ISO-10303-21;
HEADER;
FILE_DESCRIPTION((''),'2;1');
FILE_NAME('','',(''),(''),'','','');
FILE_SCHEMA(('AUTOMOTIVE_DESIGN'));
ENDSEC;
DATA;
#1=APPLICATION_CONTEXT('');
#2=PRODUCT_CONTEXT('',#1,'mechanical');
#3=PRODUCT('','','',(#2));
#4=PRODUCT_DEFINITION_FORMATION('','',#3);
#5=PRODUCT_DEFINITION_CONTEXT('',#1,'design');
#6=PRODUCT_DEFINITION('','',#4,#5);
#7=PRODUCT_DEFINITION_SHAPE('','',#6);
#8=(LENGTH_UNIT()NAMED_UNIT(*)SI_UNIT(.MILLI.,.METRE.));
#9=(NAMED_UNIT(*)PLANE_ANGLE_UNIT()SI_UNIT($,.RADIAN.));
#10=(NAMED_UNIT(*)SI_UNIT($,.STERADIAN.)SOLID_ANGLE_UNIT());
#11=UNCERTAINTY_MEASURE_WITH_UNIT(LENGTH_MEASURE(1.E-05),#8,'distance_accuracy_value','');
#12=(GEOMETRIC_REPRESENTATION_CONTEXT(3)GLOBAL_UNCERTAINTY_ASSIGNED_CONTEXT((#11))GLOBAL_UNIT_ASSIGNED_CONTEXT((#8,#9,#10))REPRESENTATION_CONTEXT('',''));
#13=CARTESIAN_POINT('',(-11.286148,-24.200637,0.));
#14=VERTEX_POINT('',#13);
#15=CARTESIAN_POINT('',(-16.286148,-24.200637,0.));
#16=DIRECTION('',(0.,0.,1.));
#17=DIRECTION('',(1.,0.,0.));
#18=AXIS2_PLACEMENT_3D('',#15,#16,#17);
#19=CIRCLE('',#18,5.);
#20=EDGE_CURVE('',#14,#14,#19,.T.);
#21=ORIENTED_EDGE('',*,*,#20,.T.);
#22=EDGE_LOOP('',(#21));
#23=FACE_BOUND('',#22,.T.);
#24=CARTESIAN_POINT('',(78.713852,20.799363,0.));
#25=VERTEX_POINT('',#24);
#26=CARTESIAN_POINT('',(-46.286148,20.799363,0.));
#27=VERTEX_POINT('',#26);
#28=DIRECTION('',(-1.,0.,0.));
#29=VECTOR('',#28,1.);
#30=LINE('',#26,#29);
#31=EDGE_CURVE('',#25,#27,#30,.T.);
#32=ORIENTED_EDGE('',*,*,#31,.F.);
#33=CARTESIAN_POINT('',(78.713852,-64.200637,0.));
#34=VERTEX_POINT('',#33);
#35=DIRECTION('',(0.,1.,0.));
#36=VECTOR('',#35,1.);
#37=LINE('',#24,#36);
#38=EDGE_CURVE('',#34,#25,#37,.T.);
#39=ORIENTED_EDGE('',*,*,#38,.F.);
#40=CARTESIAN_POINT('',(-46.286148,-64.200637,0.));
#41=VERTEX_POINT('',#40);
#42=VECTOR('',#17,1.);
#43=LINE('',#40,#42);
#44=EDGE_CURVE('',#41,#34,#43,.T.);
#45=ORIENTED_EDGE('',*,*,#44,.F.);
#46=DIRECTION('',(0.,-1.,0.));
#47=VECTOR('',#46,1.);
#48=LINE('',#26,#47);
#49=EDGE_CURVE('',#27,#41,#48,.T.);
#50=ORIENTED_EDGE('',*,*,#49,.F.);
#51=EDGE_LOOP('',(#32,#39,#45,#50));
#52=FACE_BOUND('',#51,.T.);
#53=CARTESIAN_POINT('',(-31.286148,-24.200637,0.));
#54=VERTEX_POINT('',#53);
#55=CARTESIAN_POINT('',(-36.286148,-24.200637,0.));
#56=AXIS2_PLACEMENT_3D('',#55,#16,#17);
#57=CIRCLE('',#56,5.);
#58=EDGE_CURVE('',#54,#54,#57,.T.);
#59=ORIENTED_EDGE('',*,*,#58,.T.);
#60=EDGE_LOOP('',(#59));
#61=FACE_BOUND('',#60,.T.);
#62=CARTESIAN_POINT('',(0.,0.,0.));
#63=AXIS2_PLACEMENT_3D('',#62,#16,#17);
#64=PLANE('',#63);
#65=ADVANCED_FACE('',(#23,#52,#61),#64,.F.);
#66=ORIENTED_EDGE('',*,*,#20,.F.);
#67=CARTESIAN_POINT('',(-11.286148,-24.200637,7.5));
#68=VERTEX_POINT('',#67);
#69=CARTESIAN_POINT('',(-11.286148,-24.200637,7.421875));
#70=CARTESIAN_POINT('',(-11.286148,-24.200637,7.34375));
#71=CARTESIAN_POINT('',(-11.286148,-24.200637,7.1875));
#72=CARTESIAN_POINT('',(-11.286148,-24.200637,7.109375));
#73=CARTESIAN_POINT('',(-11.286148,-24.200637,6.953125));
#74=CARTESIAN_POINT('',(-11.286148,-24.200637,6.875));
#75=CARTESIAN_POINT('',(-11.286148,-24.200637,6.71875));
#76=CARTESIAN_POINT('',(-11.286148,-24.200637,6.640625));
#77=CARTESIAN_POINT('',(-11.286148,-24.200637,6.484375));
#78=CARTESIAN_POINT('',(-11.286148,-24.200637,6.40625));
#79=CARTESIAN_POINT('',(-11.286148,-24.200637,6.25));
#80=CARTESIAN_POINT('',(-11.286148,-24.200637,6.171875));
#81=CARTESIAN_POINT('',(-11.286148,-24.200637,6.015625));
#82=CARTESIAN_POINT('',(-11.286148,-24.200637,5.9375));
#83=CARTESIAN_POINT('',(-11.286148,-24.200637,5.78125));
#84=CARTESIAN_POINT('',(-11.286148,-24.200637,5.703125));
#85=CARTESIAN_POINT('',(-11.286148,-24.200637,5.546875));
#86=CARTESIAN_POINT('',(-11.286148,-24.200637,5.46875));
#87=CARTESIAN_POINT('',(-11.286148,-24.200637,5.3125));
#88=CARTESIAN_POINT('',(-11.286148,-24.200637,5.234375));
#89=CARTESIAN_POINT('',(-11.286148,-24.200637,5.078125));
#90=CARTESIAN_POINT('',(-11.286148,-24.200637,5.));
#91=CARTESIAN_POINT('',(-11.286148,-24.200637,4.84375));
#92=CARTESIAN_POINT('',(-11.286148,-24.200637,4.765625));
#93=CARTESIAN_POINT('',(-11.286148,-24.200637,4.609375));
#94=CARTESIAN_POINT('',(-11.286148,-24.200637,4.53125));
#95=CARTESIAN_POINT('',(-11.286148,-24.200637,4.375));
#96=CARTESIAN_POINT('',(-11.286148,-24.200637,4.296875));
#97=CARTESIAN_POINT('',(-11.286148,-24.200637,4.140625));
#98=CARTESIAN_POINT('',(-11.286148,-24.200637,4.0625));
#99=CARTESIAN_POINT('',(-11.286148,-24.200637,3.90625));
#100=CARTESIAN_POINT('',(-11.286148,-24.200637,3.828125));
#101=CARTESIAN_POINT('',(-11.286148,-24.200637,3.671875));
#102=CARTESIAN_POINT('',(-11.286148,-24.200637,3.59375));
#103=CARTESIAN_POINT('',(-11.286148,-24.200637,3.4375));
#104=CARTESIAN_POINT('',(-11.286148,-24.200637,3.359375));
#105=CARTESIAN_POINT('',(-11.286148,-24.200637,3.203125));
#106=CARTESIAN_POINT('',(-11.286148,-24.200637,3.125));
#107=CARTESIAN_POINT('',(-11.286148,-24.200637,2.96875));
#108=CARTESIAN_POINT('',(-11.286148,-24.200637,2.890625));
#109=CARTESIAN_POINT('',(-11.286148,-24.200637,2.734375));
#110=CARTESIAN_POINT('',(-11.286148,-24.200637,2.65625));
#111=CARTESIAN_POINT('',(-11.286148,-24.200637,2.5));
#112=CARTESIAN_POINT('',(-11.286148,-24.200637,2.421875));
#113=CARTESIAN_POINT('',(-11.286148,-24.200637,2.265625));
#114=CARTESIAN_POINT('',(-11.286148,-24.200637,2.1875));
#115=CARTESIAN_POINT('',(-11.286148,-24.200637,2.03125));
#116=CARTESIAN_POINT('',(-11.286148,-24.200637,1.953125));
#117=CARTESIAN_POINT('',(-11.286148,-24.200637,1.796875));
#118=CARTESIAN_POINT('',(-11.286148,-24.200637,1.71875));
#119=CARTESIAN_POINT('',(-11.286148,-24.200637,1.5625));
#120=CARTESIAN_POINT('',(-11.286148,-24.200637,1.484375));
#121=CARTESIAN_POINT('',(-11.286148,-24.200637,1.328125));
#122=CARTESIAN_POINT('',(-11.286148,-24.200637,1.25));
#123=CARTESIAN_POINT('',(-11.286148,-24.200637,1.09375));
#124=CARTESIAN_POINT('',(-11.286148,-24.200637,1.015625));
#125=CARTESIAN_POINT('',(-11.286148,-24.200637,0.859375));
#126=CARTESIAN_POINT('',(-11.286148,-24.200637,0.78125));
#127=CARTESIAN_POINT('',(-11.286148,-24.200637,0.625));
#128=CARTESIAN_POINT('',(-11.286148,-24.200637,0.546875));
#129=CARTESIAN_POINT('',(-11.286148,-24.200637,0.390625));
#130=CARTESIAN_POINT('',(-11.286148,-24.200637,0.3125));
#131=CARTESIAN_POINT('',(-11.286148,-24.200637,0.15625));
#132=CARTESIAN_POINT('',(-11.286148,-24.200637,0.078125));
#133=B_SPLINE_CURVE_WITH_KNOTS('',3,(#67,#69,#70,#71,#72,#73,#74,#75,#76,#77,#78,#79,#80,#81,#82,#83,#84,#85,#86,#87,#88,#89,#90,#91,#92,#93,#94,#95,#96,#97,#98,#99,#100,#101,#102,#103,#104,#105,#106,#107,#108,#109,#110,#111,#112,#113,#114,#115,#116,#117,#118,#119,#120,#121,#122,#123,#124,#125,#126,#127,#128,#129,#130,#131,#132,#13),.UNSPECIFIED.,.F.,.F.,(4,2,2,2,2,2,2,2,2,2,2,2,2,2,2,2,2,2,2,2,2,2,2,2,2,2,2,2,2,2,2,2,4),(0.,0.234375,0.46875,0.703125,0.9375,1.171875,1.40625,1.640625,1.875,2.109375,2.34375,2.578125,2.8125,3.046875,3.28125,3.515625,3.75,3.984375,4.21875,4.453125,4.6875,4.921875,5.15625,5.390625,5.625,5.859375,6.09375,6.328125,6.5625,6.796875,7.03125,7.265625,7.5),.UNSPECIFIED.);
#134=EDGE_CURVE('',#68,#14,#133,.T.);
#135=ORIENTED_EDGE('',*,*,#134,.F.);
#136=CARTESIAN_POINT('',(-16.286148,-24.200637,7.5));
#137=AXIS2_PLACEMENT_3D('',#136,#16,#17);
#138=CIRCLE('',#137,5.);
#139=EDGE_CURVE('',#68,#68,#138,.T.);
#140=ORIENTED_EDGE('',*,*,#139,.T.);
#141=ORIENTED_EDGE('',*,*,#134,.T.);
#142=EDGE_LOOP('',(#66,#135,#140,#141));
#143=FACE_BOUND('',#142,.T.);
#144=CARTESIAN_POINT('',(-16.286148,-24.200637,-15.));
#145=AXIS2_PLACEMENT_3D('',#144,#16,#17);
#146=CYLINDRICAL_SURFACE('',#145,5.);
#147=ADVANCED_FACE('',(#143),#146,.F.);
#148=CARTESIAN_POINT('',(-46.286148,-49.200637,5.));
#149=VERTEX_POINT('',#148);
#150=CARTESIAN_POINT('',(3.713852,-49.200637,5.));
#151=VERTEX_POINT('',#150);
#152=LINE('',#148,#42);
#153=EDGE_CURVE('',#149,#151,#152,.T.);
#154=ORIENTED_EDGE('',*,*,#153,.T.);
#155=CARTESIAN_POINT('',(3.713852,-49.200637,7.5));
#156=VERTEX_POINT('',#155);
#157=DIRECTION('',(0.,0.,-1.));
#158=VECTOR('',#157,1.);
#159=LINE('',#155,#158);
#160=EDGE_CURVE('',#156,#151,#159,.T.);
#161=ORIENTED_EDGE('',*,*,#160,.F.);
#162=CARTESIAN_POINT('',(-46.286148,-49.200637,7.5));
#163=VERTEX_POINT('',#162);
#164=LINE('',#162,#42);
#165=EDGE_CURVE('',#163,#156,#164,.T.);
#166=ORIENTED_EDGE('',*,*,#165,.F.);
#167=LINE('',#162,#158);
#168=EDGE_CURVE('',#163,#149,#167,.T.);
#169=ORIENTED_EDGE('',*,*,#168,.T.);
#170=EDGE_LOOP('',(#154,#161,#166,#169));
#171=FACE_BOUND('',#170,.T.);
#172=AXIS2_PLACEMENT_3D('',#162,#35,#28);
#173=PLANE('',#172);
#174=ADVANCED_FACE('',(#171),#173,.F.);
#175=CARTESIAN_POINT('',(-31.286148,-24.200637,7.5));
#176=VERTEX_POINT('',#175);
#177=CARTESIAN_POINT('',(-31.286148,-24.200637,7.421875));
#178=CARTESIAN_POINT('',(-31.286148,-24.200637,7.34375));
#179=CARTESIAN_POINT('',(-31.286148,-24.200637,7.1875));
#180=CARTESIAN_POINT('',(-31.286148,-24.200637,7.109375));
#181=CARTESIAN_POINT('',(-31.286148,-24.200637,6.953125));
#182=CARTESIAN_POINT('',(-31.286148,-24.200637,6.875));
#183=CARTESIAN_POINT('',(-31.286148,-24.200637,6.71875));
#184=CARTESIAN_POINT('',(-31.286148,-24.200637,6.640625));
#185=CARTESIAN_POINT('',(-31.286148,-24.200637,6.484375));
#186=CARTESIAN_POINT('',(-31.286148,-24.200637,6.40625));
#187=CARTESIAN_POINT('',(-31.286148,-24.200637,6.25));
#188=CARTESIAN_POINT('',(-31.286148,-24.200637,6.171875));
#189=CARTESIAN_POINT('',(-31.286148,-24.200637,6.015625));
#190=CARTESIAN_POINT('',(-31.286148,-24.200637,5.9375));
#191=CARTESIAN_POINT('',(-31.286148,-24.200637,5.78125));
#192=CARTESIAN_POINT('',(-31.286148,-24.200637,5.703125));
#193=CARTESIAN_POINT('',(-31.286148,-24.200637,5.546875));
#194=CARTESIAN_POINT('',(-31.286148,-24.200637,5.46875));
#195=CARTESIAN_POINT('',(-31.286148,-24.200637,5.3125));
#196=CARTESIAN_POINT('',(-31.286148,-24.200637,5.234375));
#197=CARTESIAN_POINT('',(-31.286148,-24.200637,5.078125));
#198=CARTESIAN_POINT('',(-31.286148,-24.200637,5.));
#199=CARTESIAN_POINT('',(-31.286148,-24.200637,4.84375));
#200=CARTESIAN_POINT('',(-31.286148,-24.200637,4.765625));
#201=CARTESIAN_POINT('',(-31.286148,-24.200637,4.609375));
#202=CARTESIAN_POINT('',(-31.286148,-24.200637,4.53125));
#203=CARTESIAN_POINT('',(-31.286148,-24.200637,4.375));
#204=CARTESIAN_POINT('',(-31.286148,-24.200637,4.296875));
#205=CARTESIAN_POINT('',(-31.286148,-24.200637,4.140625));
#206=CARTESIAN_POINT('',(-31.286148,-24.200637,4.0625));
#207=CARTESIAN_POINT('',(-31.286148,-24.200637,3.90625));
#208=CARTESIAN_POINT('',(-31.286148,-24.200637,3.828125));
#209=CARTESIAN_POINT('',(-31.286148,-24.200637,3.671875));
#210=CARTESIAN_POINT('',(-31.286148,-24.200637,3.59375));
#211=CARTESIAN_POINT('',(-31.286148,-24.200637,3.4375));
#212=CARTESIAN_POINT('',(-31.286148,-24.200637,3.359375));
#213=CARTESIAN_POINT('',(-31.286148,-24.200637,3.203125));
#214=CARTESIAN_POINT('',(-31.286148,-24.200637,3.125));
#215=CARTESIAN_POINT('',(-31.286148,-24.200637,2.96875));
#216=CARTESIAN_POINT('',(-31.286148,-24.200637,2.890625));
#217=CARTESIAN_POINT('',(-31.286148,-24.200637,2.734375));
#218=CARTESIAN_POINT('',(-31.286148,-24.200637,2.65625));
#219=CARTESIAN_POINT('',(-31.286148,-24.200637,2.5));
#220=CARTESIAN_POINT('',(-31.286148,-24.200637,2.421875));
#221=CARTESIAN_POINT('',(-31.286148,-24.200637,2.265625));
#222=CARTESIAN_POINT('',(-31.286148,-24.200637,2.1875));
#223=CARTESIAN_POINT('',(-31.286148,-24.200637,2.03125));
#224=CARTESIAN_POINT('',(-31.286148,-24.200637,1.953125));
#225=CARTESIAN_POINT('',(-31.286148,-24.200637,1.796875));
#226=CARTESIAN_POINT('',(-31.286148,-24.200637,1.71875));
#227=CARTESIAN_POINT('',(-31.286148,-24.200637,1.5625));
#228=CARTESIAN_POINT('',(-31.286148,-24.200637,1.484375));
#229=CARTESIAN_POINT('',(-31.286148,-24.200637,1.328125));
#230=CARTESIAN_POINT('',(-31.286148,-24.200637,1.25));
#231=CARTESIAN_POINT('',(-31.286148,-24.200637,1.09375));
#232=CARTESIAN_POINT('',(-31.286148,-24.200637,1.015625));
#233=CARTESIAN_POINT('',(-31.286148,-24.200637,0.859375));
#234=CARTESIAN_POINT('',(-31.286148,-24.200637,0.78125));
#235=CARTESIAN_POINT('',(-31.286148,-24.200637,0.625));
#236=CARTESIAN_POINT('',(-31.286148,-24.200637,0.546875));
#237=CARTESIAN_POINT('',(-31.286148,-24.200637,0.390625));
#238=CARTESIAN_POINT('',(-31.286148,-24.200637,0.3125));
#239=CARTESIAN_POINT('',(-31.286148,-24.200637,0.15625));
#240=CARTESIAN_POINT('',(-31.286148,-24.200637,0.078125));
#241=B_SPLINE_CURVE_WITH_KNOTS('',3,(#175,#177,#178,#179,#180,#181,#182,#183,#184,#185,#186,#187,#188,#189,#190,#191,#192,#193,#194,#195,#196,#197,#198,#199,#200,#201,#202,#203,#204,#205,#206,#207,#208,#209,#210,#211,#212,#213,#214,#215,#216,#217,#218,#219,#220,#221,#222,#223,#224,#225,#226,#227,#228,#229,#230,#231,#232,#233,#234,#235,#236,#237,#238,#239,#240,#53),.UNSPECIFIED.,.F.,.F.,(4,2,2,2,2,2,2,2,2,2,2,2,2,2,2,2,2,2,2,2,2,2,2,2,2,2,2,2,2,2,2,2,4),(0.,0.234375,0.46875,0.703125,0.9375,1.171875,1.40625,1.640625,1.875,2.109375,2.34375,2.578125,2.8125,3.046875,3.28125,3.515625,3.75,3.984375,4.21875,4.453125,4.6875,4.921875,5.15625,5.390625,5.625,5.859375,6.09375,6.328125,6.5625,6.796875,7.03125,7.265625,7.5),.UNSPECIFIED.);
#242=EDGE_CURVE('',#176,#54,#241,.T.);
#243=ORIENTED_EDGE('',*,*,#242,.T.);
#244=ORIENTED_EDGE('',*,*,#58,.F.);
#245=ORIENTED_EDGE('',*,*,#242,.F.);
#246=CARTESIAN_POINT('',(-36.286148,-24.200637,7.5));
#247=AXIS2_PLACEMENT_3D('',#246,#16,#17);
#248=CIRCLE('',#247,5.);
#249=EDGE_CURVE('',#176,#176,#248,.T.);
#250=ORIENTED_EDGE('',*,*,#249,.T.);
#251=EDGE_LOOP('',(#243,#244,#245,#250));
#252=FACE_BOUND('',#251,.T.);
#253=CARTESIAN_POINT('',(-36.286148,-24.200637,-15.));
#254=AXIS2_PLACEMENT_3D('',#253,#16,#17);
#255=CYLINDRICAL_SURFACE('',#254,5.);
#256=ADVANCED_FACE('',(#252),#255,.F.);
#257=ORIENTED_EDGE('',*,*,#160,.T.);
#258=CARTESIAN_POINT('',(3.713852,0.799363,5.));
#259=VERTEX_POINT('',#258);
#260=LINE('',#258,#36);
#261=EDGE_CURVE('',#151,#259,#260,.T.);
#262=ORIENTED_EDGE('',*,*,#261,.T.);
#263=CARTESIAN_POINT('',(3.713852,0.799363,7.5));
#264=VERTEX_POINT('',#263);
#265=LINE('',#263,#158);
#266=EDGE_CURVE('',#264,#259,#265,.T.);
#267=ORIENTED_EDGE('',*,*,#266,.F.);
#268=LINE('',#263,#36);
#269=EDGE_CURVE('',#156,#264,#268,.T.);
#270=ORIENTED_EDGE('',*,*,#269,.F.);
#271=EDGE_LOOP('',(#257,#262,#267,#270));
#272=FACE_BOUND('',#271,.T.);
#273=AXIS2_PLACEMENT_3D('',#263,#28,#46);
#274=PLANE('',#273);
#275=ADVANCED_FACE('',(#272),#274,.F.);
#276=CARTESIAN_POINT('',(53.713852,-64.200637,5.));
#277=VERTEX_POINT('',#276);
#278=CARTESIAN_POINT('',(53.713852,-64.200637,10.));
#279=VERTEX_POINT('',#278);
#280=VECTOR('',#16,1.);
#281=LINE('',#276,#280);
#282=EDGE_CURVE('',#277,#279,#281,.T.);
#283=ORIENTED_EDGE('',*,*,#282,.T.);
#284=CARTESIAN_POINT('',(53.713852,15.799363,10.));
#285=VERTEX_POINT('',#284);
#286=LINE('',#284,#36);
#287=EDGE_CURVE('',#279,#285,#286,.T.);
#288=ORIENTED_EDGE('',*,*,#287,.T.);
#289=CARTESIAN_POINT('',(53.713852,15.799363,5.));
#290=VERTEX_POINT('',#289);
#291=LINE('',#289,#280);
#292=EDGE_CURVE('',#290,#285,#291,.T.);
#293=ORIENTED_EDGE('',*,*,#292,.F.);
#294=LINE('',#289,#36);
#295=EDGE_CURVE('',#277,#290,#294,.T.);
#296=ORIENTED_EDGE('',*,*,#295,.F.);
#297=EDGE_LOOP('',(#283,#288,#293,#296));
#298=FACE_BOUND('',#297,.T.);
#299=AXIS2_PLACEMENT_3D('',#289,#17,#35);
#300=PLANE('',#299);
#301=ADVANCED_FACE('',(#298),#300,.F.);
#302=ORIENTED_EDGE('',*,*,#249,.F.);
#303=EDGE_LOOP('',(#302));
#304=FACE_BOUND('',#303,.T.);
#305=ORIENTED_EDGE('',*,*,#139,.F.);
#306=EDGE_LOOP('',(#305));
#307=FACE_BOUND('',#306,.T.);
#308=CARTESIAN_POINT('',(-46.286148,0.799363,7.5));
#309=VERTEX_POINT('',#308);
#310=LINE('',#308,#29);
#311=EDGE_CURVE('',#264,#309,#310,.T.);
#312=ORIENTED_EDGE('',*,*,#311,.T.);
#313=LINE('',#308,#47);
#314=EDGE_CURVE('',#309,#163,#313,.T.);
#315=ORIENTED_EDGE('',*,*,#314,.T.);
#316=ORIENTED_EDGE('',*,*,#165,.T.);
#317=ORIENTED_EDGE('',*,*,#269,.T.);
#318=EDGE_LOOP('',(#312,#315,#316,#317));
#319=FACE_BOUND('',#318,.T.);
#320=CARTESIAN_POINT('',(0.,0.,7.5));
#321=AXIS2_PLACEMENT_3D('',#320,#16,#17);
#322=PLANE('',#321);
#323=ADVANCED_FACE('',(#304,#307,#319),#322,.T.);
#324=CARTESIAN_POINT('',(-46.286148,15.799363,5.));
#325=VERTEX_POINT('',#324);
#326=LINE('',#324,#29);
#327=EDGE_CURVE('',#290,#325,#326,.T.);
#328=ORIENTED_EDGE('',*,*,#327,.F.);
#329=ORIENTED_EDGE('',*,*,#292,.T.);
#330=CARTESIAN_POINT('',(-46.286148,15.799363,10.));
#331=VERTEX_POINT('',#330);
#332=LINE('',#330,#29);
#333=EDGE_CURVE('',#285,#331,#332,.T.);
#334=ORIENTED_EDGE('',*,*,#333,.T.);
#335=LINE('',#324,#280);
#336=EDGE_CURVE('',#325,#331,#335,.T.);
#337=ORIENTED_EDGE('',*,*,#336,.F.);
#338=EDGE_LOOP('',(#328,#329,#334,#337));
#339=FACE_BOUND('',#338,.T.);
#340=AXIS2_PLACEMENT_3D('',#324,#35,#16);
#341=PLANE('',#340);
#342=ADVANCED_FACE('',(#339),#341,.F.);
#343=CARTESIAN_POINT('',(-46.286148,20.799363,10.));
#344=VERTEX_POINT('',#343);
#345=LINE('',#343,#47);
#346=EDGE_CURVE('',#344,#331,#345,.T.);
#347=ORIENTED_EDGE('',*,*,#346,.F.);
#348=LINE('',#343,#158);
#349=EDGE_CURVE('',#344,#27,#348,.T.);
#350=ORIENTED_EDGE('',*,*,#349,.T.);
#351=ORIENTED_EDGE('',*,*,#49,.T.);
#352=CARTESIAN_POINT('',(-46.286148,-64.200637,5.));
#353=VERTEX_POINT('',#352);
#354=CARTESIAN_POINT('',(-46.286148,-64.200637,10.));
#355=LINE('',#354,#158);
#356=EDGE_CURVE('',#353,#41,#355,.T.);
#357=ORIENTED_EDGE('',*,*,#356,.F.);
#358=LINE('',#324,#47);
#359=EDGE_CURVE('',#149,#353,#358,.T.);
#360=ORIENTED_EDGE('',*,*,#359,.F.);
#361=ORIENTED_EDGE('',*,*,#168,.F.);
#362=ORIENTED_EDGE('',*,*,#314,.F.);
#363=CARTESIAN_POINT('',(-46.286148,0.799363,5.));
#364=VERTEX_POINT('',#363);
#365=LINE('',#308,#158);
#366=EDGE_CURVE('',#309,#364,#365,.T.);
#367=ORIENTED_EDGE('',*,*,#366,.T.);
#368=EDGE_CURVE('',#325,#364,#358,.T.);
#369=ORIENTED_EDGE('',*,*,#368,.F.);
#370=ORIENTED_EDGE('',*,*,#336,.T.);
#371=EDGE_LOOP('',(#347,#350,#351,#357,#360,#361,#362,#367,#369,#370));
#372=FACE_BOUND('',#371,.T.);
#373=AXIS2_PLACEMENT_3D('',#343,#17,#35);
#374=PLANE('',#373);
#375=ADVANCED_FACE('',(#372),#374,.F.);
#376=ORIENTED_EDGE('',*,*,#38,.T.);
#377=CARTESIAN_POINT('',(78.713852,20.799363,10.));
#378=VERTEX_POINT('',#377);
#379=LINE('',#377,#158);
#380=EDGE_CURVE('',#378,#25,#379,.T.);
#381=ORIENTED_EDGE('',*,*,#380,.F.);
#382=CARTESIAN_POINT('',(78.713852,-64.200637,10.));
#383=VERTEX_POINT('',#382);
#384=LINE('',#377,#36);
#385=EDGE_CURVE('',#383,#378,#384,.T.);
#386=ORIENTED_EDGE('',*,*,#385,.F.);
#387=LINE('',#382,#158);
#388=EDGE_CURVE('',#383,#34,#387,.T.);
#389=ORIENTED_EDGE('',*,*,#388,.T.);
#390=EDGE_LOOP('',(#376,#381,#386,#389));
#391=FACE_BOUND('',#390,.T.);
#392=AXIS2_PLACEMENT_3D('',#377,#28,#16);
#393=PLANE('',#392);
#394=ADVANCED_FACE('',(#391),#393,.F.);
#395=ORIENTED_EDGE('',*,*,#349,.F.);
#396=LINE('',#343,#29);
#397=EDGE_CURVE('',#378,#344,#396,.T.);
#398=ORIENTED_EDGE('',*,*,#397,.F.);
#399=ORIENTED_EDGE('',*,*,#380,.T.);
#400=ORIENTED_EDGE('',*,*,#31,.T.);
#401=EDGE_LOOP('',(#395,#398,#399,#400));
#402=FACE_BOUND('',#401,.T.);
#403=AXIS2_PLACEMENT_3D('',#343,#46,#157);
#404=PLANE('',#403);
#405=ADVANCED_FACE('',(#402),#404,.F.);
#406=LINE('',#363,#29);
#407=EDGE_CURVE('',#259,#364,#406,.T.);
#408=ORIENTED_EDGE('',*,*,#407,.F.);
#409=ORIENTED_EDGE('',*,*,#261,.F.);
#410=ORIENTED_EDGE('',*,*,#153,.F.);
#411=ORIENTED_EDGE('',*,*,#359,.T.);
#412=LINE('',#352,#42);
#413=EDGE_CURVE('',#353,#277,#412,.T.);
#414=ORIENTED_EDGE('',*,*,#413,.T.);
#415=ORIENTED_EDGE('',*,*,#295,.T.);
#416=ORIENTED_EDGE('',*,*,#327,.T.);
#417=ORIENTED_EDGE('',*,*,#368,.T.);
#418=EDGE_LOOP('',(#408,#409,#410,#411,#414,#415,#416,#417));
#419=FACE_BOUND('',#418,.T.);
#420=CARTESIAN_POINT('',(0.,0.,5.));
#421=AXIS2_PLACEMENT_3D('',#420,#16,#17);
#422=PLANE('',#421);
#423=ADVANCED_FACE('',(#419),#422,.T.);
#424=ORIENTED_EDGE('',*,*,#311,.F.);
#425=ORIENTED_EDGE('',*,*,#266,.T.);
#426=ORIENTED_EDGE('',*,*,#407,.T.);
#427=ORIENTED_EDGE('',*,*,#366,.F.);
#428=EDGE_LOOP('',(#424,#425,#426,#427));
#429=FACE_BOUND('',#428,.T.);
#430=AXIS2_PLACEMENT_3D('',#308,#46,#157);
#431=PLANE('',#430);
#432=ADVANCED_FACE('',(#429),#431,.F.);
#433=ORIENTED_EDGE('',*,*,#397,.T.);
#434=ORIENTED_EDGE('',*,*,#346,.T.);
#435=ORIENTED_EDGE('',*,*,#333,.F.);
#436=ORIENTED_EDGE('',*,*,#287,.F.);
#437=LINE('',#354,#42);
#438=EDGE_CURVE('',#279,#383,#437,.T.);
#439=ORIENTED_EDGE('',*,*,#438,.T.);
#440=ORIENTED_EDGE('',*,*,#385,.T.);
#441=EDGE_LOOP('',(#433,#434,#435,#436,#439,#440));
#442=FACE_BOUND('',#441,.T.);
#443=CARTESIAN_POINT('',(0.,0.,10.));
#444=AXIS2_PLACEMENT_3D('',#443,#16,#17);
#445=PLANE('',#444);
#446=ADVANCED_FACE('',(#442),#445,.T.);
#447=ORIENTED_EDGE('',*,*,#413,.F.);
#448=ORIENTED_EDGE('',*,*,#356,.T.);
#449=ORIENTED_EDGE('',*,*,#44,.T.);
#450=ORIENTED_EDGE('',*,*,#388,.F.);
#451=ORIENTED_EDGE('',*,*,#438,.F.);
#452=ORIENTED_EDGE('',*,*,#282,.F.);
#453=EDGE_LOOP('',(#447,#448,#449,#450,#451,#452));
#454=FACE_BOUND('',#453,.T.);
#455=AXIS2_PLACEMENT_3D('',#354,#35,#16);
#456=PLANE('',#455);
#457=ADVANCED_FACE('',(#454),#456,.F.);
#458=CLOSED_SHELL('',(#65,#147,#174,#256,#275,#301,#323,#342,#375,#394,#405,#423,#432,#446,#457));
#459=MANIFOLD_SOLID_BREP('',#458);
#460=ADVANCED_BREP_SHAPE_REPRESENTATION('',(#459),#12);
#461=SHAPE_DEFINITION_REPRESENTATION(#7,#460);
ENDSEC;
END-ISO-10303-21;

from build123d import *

# Parameters (mm, degrees)
SKIZZE1_W                       = 125
SKIZZE1_H                       = 85
AUFSATZ_LINEAR_AUSTRAGEN1_DEPTH = 10
SKIZZE2_W                       = 100
SKIZZE2_H                       = 80
SCHNITT_LINEAR_AUSTRAGEN1_DEPTH = 5
SKIZZE3_W                       = 50
SKIZZE3_H                       = 50
AUFSATZ_LINEAR_AUSTRAGEN2_DEPTH = 2.5
SKIZZE4_R                       = 5
SCHNITT_LINEAR_AUSTRAGEN2_DEPTH = 22.5


with BuildPart() as part:
    # Skizze1 → Aufsatz-Linear austragen1 (new body)
    with BuildSketch(Plane.XY):
        with Locations((16.213851874, -21.700636943)):
            Rectangle(SKIZZE1_W, SKIZZE1_H)
    extrude(amount=AUFSATZ_LINEAR_AUSTRAGEN1_DEPTH)

    # Skizze2 → Schnitt-Linear austragen1 (cut)
    with BuildSketch(Plane.XY.offset(10)):
        with Locations((3.713851874, -24.200636943)):
            Rectangle(SKIZZE2_W, SKIZZE2_H)
    extrude(amount=-SCHNITT_LINEAR_AUSTRAGEN1_DEPTH, mode=Mode.SUBTRACT)

    # Skizze3 → Aufsatz-Linear austragen2 (add)
    with BuildSketch(Plane.XY.offset(5)):
        with Locations((-21.286148126, -24.200636943)):
            Rectangle(SKIZZE3_W, SKIZZE3_H)
    extrude(amount=AUFSATZ_LINEAR_AUSTRAGEN2_DEPTH)

    # Skizze4 → Schnitt-Linear austragen2 (cut)
    with BuildSketch(Plane.XY.offset(7.5)):
        with Locations((-36.286148126, -24.200636943)):
            Circle(SKIZZE4_R)
        with Locations((-16.286148126, -24.200636943)):
            Circle(SKIZZE4_R)
    extrude(amount=-SCHNITT_LINEAR_AUSTRAGEN2_DEPTH, mode=Mode.SUBTRACT)


solid = part.part
